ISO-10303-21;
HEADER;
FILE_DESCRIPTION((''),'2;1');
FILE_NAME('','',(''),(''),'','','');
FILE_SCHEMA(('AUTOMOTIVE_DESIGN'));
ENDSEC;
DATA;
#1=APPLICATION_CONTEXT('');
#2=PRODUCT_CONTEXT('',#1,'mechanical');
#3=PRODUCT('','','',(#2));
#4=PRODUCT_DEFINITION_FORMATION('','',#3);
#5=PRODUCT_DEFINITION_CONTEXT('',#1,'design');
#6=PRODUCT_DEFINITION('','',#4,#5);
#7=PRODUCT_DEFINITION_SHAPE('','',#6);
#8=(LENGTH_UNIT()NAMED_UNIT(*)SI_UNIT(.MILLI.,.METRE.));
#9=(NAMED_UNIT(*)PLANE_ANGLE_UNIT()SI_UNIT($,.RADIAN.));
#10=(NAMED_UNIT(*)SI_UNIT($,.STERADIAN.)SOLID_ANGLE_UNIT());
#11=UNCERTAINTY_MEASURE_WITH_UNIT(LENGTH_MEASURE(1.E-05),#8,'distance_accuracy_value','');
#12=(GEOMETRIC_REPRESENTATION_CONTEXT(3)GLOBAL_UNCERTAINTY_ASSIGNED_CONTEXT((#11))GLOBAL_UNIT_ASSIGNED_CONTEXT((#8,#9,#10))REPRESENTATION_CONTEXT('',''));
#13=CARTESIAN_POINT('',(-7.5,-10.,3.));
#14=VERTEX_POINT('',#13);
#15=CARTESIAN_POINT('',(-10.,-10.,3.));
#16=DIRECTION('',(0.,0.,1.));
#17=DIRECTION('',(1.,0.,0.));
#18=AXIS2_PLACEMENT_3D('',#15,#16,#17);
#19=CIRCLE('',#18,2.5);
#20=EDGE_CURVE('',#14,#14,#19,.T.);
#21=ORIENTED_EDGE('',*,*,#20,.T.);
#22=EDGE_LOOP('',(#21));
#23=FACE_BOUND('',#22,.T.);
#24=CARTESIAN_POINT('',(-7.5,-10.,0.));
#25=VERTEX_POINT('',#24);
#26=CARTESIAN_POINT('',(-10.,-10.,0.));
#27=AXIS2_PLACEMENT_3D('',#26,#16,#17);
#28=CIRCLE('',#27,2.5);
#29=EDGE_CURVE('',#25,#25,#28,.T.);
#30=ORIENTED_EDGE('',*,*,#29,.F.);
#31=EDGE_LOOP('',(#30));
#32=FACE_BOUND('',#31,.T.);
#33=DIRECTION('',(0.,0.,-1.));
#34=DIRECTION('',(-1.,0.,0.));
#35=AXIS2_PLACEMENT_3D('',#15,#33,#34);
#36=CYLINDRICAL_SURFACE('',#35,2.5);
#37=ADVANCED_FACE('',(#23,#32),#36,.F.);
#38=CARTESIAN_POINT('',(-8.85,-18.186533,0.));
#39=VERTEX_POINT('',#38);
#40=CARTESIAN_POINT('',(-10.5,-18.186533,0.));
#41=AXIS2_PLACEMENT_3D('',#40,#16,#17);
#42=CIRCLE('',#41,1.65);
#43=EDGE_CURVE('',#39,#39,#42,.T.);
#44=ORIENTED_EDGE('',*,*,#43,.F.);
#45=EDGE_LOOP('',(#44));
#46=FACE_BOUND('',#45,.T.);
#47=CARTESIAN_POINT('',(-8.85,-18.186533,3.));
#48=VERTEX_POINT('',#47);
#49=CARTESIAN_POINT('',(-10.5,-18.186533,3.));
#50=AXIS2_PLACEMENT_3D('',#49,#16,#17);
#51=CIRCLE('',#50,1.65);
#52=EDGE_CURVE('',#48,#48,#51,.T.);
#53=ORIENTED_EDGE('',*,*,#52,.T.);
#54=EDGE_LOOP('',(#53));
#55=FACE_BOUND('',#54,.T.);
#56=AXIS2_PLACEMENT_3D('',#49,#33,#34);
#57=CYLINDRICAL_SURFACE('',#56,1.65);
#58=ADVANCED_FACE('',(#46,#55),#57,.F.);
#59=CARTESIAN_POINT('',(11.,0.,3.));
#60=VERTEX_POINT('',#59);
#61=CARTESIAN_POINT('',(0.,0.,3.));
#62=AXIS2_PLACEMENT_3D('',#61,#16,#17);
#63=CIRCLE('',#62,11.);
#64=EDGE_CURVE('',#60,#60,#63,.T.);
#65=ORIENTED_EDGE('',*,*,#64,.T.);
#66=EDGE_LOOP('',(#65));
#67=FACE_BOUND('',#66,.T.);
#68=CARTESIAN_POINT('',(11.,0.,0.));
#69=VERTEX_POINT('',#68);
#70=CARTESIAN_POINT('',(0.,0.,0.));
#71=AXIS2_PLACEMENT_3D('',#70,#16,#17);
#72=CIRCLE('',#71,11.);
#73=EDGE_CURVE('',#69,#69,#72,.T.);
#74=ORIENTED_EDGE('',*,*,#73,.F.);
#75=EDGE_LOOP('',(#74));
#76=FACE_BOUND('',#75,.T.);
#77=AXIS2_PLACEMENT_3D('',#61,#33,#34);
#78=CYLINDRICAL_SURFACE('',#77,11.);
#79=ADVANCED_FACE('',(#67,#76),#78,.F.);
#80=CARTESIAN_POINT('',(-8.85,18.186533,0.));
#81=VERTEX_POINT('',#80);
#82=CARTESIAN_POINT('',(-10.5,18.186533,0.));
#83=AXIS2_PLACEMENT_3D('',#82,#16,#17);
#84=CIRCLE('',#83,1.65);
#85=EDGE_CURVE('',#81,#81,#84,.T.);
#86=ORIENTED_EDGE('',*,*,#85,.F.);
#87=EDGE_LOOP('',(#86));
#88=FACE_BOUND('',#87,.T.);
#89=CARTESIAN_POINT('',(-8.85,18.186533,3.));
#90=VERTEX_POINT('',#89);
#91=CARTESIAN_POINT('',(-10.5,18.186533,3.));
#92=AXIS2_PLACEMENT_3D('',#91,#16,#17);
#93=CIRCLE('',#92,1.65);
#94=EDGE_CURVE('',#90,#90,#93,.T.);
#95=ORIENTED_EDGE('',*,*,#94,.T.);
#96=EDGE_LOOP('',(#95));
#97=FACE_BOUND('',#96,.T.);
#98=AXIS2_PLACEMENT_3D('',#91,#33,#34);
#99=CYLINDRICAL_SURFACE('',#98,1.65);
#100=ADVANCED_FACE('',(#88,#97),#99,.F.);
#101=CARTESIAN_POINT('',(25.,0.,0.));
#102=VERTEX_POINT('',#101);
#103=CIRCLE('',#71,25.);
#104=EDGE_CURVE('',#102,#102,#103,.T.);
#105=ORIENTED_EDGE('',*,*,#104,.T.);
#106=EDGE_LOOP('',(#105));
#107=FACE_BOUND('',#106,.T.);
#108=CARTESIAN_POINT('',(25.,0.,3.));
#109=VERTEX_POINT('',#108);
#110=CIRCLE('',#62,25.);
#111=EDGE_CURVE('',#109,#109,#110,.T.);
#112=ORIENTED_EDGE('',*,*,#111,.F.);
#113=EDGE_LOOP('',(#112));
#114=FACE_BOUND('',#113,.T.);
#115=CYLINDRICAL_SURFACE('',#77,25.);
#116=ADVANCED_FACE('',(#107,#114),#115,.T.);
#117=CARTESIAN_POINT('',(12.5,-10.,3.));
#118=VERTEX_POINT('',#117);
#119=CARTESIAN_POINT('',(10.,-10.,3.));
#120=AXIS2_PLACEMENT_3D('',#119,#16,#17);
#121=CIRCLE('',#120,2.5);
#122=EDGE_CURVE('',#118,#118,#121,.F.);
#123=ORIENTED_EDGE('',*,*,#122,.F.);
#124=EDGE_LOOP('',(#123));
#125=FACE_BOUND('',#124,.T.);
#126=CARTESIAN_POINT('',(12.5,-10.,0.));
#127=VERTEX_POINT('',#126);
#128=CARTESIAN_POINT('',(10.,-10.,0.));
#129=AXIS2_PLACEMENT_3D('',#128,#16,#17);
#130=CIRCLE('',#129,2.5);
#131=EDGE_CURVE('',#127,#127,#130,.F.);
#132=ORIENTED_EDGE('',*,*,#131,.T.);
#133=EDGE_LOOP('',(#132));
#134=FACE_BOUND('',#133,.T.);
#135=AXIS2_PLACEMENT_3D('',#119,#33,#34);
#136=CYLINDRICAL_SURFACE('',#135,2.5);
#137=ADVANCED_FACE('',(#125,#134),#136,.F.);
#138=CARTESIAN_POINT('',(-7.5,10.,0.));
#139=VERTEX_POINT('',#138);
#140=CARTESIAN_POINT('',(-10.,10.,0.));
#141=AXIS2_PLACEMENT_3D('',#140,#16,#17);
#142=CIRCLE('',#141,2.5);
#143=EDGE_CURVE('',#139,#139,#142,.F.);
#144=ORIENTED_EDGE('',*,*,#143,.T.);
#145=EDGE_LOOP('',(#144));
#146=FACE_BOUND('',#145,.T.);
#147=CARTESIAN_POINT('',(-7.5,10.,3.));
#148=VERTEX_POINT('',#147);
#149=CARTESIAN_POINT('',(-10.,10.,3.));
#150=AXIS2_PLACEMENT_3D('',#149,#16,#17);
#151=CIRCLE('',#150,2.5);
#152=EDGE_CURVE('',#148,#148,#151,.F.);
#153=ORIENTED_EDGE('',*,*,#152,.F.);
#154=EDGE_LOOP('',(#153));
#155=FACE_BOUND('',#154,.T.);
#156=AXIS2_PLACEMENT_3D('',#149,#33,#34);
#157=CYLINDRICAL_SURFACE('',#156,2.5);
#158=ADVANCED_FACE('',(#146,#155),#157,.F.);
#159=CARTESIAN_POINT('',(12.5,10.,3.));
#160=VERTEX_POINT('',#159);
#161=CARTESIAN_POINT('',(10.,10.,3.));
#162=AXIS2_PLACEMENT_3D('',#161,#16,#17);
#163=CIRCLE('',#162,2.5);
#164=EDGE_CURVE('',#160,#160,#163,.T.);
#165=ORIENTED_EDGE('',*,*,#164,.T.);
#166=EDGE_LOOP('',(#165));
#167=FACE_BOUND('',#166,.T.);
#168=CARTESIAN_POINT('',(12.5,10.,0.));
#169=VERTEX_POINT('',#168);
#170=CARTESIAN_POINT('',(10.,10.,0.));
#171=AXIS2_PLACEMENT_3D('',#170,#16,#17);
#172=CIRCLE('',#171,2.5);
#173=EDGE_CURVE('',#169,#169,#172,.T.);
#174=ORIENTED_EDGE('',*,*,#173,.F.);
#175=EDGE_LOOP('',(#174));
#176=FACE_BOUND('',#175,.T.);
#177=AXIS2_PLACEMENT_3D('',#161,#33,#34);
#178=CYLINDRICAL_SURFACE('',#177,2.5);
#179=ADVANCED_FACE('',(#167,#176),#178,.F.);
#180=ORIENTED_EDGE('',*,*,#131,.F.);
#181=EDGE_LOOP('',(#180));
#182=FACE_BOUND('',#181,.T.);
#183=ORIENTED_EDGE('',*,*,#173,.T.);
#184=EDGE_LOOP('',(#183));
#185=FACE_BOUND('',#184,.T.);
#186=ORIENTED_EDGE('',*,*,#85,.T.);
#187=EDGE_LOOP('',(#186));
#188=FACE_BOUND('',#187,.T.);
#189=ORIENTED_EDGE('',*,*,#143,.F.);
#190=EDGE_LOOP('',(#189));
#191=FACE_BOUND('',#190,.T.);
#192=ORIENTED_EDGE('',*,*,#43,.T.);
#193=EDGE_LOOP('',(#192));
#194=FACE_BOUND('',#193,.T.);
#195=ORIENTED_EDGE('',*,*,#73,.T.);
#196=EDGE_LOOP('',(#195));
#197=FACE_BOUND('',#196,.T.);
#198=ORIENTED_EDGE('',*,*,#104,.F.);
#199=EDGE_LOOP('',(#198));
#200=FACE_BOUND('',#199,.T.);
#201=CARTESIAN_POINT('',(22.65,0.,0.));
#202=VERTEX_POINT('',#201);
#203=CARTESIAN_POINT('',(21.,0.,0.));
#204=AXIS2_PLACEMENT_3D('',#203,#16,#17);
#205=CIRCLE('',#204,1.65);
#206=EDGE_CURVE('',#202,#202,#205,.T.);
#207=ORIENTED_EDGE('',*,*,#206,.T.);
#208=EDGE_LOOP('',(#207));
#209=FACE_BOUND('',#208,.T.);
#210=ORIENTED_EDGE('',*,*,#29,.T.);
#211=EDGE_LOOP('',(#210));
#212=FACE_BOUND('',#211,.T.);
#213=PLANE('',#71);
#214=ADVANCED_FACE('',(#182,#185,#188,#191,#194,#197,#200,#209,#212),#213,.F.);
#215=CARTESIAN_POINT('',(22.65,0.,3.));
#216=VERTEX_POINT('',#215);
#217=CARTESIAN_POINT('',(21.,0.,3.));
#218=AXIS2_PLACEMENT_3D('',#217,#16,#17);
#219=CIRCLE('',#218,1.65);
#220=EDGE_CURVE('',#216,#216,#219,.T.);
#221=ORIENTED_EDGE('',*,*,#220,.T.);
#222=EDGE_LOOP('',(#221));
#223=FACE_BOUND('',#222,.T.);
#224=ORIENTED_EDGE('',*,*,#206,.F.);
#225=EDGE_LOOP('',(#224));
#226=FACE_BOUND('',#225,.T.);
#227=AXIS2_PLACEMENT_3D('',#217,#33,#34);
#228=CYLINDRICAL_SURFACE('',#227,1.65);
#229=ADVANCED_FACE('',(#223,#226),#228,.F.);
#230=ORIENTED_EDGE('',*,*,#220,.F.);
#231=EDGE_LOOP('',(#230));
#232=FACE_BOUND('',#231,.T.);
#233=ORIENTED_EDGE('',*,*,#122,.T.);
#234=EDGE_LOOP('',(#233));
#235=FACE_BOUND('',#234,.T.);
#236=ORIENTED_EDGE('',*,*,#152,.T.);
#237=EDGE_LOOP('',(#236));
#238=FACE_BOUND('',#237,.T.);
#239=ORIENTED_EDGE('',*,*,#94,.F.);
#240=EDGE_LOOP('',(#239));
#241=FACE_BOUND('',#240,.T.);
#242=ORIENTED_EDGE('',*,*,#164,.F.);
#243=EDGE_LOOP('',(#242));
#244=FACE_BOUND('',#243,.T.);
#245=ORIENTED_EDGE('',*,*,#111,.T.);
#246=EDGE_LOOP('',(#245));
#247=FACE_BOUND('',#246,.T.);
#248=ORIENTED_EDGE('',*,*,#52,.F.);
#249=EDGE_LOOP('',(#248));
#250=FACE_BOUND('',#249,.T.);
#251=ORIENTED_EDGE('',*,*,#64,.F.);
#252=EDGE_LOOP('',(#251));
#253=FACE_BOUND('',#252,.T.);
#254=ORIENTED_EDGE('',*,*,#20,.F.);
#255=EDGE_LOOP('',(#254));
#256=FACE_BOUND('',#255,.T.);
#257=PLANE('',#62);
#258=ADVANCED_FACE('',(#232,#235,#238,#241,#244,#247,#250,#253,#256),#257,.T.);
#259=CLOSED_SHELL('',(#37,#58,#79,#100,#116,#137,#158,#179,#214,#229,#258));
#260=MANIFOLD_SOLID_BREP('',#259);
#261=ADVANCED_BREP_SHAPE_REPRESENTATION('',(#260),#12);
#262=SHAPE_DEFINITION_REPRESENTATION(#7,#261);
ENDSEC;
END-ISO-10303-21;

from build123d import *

# Parameters (mm, degrees)
SKETCH_1_R      = 25
SKETCH_1_R_2    = 11
SKETCH_1_R_3    = 2.5
SKETCH_1_R_4    = 1.65
EXTRUDE_1_DEPTH = 3


with BuildPart() as part:
    # 草图1 → 凸台-拉伸1 (new body)
    with BuildSketch(Plane.XY):
        Circle(SKETCH_1_R)
        Circle(SKETCH_1_R_2, mode=Mode.SUBTRACT)
        with Locations((10, 10)):
            Circle(SKETCH_1_R_3, mode=Mode.SUBTRACT)
        with Locations((-10, 10)):
            Circle(SKETCH_1_R_3, mode=Mode.SUBTRACT)
        with Locations((10, -10)):
            Circle(SKETCH_1_R_3, mode=Mode.SUBTRACT)
        with Locations((-10, -10)):
            Circle(SKETCH_1_R_3, mode=Mode.SUBTRACT)
        with Locations((21, 0)):
            Circle(SKETCH_1_R_4, mode=Mode.SUBTRACT)
        with Locations((-10.5, 18.186533479)):
            Circle(SKETCH_1_R_4, mode=Mode.SUBTRACT)
        with Locations((-10.5, -18.186533479)):
            Circle(SKETCH_1_R_4, mode=Mode.SUBTRACT)
    extrude(amount=EXTRUDE_1_DEPTH)


solid = part.part
